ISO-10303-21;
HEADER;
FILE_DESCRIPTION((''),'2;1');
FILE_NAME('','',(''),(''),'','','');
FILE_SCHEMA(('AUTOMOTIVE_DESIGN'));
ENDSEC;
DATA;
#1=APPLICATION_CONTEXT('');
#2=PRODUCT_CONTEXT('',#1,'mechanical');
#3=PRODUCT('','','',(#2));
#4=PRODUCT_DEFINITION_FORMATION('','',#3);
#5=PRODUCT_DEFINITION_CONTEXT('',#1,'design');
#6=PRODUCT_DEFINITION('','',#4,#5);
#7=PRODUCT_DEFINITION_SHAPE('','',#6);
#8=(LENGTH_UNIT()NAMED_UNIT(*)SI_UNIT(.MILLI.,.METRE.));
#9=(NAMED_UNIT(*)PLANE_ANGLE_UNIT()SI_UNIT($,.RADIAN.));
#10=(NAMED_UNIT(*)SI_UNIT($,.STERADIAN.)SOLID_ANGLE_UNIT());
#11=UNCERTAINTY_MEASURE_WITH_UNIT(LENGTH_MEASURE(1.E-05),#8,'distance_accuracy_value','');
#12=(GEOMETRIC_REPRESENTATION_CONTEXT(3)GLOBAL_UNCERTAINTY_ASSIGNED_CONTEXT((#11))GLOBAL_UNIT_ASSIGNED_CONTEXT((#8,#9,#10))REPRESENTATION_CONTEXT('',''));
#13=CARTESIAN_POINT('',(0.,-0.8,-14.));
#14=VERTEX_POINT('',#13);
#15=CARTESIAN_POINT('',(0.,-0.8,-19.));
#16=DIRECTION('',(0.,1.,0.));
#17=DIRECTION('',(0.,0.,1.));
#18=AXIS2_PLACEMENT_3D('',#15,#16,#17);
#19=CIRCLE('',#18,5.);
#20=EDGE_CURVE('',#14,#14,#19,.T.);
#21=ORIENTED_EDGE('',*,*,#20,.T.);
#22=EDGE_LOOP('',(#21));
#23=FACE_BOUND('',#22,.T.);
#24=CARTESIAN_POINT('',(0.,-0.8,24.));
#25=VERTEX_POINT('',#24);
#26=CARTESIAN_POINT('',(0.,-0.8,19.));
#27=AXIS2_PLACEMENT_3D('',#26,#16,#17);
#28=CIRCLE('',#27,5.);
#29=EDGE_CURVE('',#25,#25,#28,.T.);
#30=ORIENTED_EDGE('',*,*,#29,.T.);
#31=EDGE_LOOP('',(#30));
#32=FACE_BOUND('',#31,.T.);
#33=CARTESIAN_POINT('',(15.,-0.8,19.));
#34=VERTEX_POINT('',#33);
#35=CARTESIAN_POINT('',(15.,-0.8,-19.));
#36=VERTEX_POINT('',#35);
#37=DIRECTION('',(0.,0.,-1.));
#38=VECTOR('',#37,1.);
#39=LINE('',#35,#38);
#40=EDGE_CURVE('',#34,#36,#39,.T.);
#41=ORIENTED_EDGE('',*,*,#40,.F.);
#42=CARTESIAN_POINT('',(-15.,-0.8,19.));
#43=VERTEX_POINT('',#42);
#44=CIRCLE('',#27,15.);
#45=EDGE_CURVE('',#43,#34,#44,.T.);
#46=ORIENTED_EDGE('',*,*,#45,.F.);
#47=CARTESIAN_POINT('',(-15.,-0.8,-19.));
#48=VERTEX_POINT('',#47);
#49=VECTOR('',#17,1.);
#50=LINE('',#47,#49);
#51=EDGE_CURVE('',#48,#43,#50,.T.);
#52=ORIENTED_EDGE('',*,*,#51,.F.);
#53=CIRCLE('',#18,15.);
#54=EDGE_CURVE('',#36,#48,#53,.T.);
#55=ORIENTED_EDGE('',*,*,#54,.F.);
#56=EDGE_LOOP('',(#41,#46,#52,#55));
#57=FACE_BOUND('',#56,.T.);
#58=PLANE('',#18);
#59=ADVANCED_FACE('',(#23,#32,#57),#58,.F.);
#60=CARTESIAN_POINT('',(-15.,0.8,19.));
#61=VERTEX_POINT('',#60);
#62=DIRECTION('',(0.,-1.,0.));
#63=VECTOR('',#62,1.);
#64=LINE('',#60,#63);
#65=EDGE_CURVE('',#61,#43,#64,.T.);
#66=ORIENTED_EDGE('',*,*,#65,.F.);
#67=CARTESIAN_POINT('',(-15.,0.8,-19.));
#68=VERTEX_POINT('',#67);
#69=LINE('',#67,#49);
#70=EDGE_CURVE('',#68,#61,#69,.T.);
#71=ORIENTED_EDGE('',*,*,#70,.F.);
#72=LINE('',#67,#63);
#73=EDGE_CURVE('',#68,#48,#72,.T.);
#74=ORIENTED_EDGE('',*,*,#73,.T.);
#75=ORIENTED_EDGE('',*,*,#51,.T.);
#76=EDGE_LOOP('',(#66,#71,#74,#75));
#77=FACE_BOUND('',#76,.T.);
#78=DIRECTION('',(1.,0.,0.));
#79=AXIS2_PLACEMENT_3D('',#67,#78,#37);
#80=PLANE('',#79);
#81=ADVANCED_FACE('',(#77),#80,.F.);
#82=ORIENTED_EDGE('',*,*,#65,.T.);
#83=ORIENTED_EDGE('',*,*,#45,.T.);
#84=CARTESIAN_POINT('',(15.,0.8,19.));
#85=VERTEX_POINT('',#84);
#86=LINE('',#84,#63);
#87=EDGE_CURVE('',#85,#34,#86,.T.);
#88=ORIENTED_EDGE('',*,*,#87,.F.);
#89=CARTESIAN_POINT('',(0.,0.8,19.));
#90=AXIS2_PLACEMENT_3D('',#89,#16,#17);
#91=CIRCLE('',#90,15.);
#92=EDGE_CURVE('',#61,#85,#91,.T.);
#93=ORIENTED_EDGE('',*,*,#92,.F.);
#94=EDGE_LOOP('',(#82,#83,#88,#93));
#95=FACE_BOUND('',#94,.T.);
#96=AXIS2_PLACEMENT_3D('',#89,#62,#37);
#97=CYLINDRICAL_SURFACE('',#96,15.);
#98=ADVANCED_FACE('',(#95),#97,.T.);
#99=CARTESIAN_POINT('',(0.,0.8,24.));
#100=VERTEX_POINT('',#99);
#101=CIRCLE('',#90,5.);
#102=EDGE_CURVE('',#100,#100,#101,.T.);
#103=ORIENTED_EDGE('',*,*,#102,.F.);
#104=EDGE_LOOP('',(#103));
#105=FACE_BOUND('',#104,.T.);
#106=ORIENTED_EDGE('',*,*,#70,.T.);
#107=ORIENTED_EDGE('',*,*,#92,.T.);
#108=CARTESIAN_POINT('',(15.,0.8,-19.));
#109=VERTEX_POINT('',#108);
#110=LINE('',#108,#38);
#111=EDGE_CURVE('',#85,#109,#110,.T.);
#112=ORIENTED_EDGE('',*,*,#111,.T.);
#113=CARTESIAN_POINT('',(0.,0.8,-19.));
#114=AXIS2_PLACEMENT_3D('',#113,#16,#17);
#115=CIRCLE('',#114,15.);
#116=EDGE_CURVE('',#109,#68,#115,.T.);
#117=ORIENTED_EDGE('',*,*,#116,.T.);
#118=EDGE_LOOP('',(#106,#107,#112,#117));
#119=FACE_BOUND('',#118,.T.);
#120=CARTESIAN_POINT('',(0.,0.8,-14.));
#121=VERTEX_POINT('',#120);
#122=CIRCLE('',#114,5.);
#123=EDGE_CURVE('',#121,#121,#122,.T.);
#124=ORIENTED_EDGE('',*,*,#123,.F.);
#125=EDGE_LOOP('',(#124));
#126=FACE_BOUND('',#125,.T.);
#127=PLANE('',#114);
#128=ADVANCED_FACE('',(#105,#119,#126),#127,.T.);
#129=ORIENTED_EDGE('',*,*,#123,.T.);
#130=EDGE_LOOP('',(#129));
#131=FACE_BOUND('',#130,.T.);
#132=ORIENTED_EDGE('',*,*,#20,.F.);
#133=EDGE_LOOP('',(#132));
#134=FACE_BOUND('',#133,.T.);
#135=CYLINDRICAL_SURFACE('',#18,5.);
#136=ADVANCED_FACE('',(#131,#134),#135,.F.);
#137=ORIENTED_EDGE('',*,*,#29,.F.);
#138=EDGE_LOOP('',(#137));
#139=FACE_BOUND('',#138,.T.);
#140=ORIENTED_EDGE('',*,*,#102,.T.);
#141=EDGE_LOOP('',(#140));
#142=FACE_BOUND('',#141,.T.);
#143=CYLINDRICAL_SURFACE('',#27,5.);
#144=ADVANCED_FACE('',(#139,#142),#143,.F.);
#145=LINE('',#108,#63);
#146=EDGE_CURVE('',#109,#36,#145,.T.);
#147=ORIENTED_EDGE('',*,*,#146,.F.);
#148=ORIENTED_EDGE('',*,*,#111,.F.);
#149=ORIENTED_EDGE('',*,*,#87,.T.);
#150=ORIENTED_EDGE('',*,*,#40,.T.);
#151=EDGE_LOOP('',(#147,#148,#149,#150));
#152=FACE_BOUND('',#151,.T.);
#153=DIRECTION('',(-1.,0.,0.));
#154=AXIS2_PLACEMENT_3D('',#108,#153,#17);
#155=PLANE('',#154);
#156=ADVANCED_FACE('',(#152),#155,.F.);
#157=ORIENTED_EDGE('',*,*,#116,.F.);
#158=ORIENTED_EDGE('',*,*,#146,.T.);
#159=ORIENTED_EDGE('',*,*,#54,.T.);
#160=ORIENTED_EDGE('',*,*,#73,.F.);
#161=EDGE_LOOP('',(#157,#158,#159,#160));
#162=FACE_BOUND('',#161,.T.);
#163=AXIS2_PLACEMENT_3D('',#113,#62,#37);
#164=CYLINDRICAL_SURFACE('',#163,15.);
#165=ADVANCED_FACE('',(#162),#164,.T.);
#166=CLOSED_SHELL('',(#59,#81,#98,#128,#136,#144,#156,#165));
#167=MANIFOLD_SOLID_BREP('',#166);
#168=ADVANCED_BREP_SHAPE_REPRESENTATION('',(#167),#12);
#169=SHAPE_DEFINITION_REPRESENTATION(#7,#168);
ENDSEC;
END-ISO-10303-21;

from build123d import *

# Parameters (mm, degrees)
BOSS_EXTRUDE2_DEPTH     = 0.8
CUT_EXTRUDE2_DEPTH      = 38.170418346
CUT_EXTRUDE2_DEPTH_BACK = 38.170418346
SKETCH7_R               = 5


with BuildPart() as part:
    # Sketch6 → Boss-Extrude2 (new, symmetric)
    with BuildSketch(Plane(origin=(0, 0, 0), x_dir=(1, 0, 0), z_dir=(0, 1, 0))):
        with BuildLine():
            Line((-15, 19), (-15, -19))
            ThreePointArc((-15, -19), (0, -34), (15, -19))
            Line((15, -19), (15, 19))
            ThreePointArc((15, 19), (0, 34), (-15, 19))
        make_face()
    extrude(amount=BOSS_EXTRUDE2_DEPTH, both=True)

    # Sketch7 → Cut-Extrude2 (cut, two sides: drawn at the far end of the back side and taken through both)
    with BuildSketch(Plane(origin=(0, 0, 0), x_dir=(1, 0, 0), z_dir=(0, 1, 0)).offset(-CUT_EXTRUDE2_DEPTH_BACK)):
        with Locations(Location((0, 19, 0), (0, 0, 270))):
            Circle(SKETCH7_R)
        with Locations(Location((0, -19, 0), (0, 0, 270))):
            Circle(SKETCH7_R)
    extrude(amount=CUT_EXTRUDE2_DEPTH + CUT_EXTRUDE2_DEPTH_BACK, mode=Mode.SUBTRACT)


solid = part.part
